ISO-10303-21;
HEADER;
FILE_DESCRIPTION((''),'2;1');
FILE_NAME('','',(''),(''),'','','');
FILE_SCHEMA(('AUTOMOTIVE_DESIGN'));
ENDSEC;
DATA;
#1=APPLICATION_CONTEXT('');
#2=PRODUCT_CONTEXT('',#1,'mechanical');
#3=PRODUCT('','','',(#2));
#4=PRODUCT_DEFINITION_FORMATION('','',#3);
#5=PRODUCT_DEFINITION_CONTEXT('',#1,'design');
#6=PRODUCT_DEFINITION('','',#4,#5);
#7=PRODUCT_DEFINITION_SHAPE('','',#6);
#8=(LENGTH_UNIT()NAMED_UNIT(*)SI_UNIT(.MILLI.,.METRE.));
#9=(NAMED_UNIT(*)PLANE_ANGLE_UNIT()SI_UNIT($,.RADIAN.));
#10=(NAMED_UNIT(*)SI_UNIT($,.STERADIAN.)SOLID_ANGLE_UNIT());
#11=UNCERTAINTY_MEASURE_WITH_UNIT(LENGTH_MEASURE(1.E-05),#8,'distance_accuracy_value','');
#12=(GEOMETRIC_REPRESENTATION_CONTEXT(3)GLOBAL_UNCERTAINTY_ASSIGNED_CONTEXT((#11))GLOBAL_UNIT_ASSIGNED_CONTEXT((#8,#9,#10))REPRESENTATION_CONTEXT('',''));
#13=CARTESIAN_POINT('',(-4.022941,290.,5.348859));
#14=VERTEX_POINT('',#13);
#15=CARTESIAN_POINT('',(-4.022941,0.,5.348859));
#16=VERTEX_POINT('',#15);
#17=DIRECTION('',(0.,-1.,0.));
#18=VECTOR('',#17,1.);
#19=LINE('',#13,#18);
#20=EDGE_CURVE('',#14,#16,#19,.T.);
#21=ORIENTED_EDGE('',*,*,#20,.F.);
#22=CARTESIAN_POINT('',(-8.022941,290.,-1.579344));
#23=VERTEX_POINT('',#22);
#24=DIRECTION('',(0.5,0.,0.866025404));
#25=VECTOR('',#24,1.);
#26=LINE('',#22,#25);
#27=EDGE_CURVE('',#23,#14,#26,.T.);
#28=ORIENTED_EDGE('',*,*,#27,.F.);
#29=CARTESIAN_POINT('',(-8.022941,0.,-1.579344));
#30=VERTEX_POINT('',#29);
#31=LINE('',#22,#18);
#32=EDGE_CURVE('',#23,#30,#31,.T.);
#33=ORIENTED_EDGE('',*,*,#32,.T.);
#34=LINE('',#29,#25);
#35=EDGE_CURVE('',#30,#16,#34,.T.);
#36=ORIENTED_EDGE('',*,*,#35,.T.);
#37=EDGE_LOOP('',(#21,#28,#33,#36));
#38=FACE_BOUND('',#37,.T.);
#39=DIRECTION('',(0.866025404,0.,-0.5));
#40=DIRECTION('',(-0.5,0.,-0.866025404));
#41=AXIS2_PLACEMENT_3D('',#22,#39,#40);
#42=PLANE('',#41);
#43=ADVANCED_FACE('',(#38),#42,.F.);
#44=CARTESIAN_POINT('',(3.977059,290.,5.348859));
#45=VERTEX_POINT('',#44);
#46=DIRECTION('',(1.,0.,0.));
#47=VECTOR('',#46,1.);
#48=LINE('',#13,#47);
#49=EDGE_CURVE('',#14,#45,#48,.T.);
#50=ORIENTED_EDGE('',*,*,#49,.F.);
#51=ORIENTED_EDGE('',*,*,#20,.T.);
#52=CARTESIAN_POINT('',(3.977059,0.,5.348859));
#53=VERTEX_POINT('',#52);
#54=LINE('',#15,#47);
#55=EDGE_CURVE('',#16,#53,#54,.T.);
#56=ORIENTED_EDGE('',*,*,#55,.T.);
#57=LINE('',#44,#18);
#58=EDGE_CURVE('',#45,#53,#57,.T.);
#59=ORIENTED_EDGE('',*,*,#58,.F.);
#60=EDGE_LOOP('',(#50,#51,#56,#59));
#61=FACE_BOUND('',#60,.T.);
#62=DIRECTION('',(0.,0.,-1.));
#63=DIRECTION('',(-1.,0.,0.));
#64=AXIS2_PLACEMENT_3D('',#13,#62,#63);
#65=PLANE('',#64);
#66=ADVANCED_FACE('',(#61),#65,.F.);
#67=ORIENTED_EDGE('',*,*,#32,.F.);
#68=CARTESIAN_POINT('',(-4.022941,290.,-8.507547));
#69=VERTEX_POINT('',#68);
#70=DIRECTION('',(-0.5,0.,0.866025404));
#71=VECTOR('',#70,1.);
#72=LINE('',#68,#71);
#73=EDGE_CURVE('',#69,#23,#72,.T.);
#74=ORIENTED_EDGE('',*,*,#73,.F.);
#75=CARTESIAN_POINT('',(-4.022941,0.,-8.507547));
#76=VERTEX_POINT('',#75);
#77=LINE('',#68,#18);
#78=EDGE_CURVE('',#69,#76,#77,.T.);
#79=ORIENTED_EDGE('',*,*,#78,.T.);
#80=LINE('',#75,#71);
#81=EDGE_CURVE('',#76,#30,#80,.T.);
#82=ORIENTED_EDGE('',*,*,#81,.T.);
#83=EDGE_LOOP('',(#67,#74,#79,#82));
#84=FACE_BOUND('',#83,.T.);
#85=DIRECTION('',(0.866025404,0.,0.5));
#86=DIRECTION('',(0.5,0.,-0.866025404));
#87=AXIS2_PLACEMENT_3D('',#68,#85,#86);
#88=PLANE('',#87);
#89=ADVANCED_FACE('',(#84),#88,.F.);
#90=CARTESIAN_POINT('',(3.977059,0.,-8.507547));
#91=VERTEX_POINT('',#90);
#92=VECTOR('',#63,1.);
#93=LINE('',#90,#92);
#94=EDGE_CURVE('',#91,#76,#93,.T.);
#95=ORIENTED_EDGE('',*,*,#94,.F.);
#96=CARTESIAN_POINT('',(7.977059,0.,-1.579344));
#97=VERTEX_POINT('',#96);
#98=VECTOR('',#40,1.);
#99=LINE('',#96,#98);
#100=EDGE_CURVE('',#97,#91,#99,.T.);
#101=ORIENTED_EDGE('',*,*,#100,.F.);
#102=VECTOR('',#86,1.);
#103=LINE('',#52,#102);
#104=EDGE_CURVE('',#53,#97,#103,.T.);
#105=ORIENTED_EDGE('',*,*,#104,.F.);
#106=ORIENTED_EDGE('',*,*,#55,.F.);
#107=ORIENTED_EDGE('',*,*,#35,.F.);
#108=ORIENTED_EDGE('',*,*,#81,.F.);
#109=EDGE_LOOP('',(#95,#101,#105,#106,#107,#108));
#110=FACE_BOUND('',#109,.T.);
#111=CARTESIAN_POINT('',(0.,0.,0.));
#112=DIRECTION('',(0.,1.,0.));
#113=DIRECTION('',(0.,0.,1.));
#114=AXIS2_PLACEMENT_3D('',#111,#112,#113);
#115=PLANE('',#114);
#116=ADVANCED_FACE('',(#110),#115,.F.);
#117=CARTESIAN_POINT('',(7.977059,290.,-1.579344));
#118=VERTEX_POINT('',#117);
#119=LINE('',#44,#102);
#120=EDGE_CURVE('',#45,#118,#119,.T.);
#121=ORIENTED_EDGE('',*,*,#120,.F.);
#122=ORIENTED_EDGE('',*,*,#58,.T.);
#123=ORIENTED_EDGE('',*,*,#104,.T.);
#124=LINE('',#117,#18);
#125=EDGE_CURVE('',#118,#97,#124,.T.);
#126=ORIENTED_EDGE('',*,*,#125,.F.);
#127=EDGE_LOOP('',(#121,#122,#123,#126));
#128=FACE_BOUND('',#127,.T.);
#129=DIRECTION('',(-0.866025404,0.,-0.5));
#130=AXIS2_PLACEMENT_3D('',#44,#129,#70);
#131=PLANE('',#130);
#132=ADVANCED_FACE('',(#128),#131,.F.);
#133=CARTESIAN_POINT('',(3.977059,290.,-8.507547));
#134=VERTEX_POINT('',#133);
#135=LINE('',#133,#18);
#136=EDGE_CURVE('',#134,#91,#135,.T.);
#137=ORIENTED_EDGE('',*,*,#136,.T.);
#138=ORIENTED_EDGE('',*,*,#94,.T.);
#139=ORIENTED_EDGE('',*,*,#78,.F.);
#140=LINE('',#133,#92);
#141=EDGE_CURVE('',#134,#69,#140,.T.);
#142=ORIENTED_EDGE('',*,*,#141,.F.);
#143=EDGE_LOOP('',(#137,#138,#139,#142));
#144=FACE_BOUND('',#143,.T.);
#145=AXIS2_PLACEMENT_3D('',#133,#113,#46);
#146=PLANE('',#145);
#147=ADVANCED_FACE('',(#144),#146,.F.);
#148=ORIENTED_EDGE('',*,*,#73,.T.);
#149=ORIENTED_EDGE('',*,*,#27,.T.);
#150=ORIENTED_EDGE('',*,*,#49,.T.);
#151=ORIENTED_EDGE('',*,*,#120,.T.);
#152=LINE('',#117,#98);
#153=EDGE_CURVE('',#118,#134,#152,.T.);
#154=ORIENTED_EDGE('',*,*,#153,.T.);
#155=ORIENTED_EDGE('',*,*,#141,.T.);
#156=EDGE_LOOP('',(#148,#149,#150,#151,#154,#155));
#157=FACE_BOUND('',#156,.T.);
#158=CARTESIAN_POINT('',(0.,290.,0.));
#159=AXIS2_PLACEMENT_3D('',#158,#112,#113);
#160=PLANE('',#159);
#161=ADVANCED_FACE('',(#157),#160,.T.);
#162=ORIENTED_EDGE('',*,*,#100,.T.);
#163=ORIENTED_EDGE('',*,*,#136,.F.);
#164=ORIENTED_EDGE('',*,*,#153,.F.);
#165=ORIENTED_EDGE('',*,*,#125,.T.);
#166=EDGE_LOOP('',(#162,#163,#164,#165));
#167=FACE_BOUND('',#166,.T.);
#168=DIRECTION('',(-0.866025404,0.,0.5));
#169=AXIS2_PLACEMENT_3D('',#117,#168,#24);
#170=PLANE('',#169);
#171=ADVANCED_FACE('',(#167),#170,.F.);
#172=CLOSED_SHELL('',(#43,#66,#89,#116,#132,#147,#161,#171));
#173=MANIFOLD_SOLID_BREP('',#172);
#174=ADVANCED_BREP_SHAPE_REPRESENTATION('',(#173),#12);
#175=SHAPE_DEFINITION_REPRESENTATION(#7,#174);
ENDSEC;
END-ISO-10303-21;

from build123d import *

# Parameters (mm, degrees)
BOSS_EXTRUDE1_DEPTH = 290


with BuildPart() as part:
    # Sketch1 → Boss-Extrude1 (new body)
    with BuildSketch(Plane(origin=(0, 0, 0), x_dir=(1, 0, 0), z_dir=(0, 1, 0))):
        Polygon((7.977059052, 1.579344013), (3.977059052, 8.507547244), (-4.022940948, 8.507547244), (-8.022940948, 1.579344013), (-4.022940948, -5.348859217), (3.977059052, -5.348859217), align=None)
    extrude(amount=BOSS_EXTRUDE1_DEPTH)


solid = part.part
